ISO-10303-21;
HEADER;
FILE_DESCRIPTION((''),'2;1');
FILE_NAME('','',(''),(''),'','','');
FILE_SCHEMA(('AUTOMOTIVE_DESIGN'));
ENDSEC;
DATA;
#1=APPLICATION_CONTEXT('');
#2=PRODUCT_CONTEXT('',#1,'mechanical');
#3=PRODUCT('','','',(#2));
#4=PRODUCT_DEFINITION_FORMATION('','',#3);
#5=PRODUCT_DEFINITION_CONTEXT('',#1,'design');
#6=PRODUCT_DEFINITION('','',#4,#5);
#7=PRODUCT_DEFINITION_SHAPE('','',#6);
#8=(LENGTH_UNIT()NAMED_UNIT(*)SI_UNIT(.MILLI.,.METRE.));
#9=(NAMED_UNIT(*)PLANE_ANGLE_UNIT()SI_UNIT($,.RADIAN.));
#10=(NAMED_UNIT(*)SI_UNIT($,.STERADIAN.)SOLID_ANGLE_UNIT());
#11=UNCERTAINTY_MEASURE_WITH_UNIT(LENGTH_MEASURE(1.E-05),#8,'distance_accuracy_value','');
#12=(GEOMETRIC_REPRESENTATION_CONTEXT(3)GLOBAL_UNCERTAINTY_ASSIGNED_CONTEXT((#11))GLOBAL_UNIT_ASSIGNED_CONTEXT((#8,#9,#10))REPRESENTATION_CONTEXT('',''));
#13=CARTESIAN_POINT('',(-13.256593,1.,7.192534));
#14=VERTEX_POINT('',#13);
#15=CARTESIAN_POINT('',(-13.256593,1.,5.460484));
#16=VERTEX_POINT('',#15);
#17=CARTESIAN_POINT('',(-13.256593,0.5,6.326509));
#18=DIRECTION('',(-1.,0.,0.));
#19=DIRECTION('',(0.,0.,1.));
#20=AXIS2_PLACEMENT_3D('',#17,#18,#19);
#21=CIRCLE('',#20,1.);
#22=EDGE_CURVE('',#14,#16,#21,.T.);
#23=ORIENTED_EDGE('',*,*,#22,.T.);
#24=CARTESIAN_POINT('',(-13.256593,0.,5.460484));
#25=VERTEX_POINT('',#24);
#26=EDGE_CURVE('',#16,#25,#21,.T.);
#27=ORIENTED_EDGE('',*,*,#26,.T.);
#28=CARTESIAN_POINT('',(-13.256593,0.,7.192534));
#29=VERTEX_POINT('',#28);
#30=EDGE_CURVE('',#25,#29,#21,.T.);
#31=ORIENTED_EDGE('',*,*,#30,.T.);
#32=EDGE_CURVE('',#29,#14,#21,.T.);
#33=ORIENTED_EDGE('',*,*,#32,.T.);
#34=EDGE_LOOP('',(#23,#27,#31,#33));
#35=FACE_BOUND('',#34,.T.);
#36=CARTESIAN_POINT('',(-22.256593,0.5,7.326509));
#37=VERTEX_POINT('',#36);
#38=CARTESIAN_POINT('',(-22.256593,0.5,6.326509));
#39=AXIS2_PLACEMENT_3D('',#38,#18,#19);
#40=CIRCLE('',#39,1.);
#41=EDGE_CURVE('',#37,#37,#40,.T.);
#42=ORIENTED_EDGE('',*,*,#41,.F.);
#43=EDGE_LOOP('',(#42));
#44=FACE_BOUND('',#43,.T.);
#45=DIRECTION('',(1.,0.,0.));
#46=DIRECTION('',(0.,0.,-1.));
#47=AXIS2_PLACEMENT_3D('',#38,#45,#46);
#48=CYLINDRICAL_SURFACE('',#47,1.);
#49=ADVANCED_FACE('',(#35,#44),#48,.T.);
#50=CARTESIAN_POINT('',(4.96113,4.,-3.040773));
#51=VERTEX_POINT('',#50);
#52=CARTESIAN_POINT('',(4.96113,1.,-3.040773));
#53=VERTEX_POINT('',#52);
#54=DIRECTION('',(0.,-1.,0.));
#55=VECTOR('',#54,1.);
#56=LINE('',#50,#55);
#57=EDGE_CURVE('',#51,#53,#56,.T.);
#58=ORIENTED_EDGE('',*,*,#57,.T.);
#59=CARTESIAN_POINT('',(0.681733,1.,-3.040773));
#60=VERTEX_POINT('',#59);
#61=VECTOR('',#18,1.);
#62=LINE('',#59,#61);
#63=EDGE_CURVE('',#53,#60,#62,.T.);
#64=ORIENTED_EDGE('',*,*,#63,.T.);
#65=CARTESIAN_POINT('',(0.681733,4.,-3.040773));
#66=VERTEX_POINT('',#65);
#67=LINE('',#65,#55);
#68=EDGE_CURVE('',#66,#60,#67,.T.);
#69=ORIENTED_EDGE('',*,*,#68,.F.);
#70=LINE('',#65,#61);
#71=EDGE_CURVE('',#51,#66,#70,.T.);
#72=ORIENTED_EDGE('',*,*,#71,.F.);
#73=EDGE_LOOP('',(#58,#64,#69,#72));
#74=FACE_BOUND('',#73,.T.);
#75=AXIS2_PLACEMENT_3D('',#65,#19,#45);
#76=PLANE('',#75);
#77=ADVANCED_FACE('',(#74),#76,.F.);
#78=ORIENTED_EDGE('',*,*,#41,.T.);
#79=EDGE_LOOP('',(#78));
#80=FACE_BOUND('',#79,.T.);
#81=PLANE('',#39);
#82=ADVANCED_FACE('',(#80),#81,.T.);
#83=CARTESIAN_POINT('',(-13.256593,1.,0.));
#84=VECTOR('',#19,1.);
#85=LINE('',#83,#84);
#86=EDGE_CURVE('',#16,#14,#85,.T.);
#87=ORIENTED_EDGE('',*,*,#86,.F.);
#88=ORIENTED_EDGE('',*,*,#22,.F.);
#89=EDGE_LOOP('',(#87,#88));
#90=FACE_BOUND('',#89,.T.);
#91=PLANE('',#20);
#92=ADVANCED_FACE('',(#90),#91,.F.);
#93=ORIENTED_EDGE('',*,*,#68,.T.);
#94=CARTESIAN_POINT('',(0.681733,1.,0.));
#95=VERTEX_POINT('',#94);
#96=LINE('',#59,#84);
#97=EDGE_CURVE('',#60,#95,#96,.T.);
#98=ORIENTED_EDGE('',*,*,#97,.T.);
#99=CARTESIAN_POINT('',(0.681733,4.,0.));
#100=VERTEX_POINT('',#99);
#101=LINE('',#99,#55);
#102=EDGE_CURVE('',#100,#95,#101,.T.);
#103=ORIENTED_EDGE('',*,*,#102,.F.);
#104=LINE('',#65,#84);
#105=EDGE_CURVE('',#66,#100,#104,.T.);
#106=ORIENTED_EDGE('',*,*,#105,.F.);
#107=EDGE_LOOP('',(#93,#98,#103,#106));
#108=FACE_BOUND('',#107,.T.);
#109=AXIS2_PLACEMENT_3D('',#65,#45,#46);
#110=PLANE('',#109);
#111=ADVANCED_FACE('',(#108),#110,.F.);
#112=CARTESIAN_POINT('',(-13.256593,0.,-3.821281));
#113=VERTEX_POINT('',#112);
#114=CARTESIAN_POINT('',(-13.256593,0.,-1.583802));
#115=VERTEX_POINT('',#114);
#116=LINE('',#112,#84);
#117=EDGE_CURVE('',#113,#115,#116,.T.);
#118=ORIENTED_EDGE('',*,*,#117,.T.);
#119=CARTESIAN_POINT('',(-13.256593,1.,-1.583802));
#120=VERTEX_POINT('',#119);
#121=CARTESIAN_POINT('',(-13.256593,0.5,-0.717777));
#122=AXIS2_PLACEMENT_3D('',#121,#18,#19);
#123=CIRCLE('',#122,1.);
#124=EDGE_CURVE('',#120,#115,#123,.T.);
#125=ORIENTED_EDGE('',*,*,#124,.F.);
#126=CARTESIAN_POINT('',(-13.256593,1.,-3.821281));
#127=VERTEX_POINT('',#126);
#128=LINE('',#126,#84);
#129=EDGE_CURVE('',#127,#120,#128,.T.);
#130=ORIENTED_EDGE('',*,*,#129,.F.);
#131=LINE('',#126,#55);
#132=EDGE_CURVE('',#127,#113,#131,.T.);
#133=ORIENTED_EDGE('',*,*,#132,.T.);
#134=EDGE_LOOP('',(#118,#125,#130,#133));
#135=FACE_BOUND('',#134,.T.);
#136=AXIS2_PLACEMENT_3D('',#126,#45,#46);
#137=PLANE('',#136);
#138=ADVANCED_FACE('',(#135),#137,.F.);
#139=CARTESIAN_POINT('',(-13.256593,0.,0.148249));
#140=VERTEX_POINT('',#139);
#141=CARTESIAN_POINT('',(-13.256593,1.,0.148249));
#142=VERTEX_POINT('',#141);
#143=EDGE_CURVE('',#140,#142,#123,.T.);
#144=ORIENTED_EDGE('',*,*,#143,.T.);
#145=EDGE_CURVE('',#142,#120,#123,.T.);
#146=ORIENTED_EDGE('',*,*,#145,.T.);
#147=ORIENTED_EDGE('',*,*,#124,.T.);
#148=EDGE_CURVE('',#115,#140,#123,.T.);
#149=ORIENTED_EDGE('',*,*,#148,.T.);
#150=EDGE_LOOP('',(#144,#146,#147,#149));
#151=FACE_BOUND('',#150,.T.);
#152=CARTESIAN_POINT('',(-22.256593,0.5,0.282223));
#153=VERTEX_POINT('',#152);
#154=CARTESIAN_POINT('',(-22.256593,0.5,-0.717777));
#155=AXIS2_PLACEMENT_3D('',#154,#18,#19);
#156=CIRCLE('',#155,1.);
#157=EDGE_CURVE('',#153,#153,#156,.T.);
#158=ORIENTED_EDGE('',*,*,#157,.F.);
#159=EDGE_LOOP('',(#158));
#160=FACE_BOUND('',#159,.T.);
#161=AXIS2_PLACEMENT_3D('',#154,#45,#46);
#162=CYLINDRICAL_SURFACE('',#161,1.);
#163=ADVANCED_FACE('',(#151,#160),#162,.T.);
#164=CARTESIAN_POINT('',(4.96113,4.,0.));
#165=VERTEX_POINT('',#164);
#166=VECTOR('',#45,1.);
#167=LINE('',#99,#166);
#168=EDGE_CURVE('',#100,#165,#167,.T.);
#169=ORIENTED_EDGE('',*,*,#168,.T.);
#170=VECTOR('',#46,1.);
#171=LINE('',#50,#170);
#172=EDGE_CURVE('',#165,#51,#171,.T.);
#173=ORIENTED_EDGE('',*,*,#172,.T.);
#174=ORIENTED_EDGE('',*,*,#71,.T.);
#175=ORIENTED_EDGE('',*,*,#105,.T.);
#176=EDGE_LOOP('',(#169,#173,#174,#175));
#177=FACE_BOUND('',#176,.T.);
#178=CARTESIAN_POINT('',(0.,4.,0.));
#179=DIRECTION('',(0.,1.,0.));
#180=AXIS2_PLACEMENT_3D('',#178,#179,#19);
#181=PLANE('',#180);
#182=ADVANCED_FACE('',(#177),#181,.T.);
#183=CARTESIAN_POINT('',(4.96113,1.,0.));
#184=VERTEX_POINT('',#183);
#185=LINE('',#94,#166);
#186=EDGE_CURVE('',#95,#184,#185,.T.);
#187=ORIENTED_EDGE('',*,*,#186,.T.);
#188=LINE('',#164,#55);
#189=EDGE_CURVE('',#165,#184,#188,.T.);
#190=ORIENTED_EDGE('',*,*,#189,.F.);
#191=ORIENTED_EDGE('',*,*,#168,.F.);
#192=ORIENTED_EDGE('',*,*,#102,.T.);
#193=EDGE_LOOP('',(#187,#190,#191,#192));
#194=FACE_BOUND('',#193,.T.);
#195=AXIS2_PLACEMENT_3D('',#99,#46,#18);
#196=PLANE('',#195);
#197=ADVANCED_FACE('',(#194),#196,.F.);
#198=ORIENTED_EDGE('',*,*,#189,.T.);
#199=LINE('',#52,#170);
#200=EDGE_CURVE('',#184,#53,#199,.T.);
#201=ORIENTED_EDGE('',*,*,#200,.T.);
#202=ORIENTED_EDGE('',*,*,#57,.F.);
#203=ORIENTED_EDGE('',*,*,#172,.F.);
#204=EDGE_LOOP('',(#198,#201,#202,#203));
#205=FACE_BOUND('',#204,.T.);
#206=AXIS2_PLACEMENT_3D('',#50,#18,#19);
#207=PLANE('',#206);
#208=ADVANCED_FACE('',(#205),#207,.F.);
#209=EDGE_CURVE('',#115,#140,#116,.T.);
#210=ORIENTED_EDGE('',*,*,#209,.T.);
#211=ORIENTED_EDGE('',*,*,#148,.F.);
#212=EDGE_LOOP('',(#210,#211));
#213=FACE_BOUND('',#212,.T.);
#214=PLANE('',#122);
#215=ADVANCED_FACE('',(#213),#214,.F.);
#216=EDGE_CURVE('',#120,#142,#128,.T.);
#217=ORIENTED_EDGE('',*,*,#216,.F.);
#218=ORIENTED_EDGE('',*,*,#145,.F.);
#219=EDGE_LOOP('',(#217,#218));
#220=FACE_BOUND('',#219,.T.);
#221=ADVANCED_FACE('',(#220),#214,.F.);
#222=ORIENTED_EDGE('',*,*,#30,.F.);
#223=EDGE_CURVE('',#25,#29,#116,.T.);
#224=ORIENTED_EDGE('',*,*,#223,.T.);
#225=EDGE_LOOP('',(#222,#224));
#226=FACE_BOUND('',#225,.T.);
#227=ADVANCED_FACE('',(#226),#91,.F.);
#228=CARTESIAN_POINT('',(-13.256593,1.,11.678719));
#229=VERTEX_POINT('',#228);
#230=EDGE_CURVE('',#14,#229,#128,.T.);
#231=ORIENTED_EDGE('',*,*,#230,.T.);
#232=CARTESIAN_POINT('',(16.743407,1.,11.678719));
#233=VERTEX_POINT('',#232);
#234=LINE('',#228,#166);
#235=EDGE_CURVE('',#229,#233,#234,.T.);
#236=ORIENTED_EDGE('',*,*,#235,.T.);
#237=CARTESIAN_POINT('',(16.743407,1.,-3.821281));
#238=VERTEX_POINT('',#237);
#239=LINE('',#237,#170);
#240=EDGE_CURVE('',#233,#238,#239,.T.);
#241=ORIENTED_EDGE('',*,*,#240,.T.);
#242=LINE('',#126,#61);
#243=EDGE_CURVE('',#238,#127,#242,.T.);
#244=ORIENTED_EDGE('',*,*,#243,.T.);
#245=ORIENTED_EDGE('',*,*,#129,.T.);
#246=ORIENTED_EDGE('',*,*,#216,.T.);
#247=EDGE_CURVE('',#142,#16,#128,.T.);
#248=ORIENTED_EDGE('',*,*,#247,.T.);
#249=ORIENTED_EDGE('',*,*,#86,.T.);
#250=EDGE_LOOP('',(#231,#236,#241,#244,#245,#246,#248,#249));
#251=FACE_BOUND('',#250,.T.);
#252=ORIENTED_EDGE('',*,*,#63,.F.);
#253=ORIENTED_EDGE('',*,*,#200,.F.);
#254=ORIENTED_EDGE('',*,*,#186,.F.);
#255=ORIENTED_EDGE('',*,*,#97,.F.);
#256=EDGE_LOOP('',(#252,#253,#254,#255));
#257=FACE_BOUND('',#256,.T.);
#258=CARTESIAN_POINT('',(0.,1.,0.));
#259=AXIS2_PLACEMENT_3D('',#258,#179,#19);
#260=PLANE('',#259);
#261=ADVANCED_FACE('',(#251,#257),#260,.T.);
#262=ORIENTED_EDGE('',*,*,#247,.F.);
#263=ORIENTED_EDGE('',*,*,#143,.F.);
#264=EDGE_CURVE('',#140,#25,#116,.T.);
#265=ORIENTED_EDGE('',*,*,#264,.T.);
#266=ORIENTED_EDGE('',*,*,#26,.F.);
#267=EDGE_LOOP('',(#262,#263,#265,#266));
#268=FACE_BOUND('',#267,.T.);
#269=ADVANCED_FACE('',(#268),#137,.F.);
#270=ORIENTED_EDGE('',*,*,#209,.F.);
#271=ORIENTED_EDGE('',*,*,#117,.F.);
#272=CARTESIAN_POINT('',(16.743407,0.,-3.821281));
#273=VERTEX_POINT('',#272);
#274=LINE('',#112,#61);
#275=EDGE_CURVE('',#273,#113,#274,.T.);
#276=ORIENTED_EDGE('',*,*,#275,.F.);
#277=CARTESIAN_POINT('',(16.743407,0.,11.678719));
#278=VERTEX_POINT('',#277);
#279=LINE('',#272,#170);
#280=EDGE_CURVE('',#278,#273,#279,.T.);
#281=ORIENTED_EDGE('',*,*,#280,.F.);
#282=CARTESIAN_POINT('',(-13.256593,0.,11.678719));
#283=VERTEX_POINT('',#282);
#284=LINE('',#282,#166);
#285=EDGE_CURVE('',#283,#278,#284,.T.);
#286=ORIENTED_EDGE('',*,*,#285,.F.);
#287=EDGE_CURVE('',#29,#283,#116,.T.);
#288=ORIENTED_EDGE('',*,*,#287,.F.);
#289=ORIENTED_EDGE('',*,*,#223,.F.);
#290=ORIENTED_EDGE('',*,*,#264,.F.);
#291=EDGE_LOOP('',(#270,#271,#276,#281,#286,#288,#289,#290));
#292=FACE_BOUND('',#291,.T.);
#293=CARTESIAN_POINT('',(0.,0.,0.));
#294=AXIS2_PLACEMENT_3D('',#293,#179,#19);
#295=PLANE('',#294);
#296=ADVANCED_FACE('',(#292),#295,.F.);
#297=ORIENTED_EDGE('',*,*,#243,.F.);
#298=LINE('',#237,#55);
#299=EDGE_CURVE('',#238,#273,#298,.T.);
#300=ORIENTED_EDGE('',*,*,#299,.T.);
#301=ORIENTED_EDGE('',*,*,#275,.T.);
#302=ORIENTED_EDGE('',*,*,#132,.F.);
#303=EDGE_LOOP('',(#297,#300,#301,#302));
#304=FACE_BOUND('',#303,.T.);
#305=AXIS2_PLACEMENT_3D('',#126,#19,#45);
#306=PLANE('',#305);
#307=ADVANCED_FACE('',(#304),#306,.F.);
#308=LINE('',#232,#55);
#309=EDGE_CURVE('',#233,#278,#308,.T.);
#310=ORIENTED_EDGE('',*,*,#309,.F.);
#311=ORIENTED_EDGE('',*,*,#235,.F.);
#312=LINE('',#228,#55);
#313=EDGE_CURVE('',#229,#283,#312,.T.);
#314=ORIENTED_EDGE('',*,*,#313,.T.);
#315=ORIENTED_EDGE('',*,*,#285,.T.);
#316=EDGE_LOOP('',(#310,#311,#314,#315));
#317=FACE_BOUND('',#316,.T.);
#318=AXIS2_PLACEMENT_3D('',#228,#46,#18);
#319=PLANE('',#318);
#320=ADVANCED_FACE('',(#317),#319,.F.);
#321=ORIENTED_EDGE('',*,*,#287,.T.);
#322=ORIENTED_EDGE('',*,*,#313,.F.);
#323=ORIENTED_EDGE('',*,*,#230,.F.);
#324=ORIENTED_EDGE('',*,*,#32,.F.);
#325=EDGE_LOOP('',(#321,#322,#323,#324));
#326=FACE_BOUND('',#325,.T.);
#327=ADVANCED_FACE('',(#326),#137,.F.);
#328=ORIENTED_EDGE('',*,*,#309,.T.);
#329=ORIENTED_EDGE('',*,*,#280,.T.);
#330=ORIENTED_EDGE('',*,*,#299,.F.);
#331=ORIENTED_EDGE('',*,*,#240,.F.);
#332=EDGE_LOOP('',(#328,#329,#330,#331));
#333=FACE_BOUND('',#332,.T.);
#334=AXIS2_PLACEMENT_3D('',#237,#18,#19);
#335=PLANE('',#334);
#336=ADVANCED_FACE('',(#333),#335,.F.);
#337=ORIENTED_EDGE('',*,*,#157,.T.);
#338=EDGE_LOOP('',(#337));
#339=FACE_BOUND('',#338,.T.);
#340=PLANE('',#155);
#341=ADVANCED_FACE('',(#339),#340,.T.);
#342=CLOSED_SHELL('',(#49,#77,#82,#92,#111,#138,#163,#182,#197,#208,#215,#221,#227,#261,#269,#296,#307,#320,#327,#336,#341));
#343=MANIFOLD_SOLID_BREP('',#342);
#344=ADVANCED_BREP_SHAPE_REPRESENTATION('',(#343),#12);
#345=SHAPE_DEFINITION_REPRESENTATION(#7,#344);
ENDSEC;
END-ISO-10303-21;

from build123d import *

# Parameters (mm, degrees)
SKETCH1_W           = 30
SKETCH1_H           = 15.5
BOSS_EXTRUDE1_DEPTH = 1
SKETCH2_R           = 1
BOSS_EXTRUDE2_DEPTH = 9
SKETCH3_W           = 4.279397372
SKETCH3_H           = 3.040773008
BOSS_EXTRUDE3_DEPTH = 3


with BuildPart() as part:
    # Sketch1 → Boss-Extrude1 (new body)
    with BuildSketch(Plane(origin=(0, 0, 0), x_dir=(1, 0, 0), z_dir=(0, 1, 0))):
        with Locations((1.743407461, -3.928718986)):
            Rectangle(SKETCH1_W, SKETCH1_H)
    extrude(amount=BOSS_EXTRUDE1_DEPTH)

    # Sketch2 → Boss-Extrude2 (add)
    with BuildSketch(Plane.ZY.offset(13.256592539)):
        with Locations(Location((-0.717776519, 0.5, 0), (0, 0, 150))):
            Circle(SKETCH2_R)
        with Locations(Location((6.326509059, 0.5, 0), (0, 0, 150))):
            Circle(SKETCH2_R)
    extrude(amount=BOSS_EXTRUDE2_DEPTH)

    # Sketch3 → Boss-Extrude3 (add)
    with BuildSketch(Plane(origin=(0, 1, 0), x_dir=(1, 0, 0), z_dir=(0, 1, 0))):
        with Locations((2.821431472, 1.520386504)):
            Rectangle(SKETCH3_W, SKETCH3_H)
    extrude(amount=BOSS_EXTRUDE3_DEPTH)


solid = part.part
